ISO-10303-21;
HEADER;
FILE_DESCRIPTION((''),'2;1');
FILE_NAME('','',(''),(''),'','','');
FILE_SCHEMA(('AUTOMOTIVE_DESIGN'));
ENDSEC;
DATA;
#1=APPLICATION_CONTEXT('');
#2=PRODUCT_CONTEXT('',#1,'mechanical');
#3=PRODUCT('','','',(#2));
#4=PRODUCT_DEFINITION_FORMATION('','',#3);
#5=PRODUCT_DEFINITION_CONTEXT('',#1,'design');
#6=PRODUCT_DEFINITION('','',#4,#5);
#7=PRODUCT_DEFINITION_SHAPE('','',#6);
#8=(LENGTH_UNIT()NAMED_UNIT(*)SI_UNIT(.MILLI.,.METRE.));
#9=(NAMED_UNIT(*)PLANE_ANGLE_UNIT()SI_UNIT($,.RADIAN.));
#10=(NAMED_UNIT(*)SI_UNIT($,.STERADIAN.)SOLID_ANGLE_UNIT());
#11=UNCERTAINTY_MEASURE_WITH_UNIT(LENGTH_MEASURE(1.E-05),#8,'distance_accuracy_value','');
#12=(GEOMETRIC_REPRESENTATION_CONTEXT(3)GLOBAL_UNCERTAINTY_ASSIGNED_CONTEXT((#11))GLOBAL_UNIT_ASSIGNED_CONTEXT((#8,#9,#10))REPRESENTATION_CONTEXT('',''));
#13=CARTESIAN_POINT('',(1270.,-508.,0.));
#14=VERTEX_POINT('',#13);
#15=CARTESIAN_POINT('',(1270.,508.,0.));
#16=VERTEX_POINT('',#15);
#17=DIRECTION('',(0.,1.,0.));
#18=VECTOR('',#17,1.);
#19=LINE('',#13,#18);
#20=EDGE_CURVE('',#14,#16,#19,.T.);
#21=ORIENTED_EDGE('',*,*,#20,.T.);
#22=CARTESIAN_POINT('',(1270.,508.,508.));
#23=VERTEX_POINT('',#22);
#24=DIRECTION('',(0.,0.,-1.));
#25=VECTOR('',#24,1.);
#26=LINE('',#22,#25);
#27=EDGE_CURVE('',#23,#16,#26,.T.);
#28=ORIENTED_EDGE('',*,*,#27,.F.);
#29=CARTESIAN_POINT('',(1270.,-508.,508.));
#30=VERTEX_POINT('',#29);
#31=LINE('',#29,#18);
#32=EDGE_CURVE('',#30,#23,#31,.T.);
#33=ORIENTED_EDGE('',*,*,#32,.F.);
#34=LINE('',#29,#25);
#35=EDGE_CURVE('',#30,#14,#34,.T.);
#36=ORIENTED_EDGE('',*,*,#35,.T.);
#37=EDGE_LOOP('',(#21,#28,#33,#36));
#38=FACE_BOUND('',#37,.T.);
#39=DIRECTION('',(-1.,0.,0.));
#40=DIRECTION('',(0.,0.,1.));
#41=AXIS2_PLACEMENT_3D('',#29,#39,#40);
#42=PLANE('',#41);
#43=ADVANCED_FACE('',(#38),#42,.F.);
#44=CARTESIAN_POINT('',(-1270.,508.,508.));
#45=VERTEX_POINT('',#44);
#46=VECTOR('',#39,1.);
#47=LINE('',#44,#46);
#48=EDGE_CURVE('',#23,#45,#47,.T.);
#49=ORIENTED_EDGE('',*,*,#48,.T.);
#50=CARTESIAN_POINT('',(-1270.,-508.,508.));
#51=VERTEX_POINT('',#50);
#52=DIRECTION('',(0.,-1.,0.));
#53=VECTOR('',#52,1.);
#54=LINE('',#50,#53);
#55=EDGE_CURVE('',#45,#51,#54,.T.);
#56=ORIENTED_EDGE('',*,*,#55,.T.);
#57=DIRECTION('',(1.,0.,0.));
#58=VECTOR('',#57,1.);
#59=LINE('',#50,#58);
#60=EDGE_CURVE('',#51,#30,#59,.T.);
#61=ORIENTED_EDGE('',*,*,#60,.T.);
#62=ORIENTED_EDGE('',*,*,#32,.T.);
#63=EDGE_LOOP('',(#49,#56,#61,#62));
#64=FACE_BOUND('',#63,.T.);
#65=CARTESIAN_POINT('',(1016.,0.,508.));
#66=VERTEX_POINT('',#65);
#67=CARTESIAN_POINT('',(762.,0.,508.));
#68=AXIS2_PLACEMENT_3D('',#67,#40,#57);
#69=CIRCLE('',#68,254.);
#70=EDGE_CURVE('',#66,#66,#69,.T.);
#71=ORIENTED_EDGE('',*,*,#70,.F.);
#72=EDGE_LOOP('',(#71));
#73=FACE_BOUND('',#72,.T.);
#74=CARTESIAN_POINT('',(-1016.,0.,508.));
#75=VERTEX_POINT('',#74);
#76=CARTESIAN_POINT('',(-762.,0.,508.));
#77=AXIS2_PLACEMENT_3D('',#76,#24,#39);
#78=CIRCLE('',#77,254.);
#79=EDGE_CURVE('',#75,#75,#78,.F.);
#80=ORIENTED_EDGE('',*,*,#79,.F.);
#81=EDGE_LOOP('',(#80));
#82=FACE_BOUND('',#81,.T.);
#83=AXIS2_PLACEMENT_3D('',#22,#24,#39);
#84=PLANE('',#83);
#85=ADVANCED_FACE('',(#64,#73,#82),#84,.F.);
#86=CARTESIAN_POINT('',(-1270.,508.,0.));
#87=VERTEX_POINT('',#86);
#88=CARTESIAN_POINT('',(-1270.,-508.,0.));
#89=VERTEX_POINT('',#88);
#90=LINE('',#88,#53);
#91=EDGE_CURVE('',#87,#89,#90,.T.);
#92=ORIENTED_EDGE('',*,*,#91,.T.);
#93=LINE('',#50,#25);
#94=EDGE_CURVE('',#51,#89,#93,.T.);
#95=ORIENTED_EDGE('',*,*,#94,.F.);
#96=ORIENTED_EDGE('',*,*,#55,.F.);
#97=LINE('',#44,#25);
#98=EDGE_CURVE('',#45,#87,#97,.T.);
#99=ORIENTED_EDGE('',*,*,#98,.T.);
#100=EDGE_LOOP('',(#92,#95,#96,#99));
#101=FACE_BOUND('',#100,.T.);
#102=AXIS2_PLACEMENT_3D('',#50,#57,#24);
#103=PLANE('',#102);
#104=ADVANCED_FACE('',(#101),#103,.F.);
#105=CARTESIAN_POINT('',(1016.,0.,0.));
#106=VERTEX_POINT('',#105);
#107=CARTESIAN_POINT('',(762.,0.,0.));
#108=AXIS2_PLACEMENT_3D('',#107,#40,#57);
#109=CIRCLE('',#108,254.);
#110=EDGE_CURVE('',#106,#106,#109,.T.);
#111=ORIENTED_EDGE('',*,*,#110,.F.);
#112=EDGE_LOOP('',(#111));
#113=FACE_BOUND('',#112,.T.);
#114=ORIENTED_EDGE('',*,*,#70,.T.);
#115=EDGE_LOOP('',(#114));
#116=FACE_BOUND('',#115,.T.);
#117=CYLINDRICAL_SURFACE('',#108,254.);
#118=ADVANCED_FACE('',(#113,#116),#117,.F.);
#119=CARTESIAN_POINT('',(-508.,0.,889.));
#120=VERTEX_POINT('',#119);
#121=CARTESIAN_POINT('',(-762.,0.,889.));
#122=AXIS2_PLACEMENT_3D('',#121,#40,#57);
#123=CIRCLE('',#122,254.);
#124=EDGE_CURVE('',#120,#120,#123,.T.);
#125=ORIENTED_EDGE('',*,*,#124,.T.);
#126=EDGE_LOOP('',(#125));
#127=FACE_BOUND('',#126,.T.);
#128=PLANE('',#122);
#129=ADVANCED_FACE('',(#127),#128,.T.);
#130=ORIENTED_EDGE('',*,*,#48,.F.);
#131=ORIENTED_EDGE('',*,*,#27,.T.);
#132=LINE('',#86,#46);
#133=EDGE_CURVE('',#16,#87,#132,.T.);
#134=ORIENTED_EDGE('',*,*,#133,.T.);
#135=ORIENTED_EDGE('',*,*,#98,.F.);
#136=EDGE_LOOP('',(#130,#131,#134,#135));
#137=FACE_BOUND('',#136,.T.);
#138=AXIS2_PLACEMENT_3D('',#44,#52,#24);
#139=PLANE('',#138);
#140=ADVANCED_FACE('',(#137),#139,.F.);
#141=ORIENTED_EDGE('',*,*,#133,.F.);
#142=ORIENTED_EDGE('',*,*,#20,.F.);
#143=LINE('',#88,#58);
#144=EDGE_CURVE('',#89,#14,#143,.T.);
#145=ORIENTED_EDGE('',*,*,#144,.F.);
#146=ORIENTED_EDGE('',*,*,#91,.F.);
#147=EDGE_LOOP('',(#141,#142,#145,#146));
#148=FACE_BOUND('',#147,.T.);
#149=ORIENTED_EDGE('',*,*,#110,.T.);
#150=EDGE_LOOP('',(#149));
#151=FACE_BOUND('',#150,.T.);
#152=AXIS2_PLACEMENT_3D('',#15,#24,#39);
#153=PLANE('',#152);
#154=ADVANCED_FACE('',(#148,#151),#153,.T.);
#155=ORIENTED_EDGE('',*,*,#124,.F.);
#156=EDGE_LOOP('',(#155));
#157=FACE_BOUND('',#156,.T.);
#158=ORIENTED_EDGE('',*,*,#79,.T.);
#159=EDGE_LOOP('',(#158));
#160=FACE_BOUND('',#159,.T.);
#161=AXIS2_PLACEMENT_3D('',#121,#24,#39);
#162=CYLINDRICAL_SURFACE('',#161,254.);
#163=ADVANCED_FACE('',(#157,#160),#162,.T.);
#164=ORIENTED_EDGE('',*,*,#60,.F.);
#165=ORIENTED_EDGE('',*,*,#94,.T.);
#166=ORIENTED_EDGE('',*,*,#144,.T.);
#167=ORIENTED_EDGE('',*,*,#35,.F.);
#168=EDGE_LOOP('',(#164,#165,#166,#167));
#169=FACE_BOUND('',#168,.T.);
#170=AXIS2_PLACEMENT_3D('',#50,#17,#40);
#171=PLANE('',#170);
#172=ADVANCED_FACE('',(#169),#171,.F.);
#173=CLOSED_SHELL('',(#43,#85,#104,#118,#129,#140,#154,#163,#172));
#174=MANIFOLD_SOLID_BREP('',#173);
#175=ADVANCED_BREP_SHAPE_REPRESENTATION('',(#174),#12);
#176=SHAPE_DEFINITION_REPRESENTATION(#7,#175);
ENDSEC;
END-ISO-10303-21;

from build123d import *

# Parameters (mm, degrees)
SKETCH1_W           = 2540
SKETCH1_H           = 1016
BOSS_EXTRUDE1_DEPTH = 508
SKETCH2_R           = 254
BOSS_EXTRUDE2_DEPTH = 381
SKETCH3_R           = 254
CUT_EXTRUDE2_DEPTH  = 508


with BuildPart() as part:
    # Sketch1 → Boss-Extrude1 (new body)
    with BuildSketch(Plane.XY):
        Rectangle(SKETCH1_W, SKETCH1_H)
    extrude(amount=BOSS_EXTRUDE1_DEPTH)

    # Sketch2 → Boss-Extrude2 (add)
    with BuildSketch(Plane.XY.offset(508)):
        with Locations((-762, 0)):
            Circle(SKETCH2_R)
    extrude(amount=BOSS_EXTRUDE2_DEPTH)

    # Sketch3 → Cut-Extrude2 (cut)
    with BuildSketch(Plane.XY.offset(508)):
        with Locations((762, 0)):
            Circle(SKETCH3_R)
    extrude(amount=-CUT_EXTRUDE2_DEPTH, mode=Mode.SUBTRACT)


solid = part.part
